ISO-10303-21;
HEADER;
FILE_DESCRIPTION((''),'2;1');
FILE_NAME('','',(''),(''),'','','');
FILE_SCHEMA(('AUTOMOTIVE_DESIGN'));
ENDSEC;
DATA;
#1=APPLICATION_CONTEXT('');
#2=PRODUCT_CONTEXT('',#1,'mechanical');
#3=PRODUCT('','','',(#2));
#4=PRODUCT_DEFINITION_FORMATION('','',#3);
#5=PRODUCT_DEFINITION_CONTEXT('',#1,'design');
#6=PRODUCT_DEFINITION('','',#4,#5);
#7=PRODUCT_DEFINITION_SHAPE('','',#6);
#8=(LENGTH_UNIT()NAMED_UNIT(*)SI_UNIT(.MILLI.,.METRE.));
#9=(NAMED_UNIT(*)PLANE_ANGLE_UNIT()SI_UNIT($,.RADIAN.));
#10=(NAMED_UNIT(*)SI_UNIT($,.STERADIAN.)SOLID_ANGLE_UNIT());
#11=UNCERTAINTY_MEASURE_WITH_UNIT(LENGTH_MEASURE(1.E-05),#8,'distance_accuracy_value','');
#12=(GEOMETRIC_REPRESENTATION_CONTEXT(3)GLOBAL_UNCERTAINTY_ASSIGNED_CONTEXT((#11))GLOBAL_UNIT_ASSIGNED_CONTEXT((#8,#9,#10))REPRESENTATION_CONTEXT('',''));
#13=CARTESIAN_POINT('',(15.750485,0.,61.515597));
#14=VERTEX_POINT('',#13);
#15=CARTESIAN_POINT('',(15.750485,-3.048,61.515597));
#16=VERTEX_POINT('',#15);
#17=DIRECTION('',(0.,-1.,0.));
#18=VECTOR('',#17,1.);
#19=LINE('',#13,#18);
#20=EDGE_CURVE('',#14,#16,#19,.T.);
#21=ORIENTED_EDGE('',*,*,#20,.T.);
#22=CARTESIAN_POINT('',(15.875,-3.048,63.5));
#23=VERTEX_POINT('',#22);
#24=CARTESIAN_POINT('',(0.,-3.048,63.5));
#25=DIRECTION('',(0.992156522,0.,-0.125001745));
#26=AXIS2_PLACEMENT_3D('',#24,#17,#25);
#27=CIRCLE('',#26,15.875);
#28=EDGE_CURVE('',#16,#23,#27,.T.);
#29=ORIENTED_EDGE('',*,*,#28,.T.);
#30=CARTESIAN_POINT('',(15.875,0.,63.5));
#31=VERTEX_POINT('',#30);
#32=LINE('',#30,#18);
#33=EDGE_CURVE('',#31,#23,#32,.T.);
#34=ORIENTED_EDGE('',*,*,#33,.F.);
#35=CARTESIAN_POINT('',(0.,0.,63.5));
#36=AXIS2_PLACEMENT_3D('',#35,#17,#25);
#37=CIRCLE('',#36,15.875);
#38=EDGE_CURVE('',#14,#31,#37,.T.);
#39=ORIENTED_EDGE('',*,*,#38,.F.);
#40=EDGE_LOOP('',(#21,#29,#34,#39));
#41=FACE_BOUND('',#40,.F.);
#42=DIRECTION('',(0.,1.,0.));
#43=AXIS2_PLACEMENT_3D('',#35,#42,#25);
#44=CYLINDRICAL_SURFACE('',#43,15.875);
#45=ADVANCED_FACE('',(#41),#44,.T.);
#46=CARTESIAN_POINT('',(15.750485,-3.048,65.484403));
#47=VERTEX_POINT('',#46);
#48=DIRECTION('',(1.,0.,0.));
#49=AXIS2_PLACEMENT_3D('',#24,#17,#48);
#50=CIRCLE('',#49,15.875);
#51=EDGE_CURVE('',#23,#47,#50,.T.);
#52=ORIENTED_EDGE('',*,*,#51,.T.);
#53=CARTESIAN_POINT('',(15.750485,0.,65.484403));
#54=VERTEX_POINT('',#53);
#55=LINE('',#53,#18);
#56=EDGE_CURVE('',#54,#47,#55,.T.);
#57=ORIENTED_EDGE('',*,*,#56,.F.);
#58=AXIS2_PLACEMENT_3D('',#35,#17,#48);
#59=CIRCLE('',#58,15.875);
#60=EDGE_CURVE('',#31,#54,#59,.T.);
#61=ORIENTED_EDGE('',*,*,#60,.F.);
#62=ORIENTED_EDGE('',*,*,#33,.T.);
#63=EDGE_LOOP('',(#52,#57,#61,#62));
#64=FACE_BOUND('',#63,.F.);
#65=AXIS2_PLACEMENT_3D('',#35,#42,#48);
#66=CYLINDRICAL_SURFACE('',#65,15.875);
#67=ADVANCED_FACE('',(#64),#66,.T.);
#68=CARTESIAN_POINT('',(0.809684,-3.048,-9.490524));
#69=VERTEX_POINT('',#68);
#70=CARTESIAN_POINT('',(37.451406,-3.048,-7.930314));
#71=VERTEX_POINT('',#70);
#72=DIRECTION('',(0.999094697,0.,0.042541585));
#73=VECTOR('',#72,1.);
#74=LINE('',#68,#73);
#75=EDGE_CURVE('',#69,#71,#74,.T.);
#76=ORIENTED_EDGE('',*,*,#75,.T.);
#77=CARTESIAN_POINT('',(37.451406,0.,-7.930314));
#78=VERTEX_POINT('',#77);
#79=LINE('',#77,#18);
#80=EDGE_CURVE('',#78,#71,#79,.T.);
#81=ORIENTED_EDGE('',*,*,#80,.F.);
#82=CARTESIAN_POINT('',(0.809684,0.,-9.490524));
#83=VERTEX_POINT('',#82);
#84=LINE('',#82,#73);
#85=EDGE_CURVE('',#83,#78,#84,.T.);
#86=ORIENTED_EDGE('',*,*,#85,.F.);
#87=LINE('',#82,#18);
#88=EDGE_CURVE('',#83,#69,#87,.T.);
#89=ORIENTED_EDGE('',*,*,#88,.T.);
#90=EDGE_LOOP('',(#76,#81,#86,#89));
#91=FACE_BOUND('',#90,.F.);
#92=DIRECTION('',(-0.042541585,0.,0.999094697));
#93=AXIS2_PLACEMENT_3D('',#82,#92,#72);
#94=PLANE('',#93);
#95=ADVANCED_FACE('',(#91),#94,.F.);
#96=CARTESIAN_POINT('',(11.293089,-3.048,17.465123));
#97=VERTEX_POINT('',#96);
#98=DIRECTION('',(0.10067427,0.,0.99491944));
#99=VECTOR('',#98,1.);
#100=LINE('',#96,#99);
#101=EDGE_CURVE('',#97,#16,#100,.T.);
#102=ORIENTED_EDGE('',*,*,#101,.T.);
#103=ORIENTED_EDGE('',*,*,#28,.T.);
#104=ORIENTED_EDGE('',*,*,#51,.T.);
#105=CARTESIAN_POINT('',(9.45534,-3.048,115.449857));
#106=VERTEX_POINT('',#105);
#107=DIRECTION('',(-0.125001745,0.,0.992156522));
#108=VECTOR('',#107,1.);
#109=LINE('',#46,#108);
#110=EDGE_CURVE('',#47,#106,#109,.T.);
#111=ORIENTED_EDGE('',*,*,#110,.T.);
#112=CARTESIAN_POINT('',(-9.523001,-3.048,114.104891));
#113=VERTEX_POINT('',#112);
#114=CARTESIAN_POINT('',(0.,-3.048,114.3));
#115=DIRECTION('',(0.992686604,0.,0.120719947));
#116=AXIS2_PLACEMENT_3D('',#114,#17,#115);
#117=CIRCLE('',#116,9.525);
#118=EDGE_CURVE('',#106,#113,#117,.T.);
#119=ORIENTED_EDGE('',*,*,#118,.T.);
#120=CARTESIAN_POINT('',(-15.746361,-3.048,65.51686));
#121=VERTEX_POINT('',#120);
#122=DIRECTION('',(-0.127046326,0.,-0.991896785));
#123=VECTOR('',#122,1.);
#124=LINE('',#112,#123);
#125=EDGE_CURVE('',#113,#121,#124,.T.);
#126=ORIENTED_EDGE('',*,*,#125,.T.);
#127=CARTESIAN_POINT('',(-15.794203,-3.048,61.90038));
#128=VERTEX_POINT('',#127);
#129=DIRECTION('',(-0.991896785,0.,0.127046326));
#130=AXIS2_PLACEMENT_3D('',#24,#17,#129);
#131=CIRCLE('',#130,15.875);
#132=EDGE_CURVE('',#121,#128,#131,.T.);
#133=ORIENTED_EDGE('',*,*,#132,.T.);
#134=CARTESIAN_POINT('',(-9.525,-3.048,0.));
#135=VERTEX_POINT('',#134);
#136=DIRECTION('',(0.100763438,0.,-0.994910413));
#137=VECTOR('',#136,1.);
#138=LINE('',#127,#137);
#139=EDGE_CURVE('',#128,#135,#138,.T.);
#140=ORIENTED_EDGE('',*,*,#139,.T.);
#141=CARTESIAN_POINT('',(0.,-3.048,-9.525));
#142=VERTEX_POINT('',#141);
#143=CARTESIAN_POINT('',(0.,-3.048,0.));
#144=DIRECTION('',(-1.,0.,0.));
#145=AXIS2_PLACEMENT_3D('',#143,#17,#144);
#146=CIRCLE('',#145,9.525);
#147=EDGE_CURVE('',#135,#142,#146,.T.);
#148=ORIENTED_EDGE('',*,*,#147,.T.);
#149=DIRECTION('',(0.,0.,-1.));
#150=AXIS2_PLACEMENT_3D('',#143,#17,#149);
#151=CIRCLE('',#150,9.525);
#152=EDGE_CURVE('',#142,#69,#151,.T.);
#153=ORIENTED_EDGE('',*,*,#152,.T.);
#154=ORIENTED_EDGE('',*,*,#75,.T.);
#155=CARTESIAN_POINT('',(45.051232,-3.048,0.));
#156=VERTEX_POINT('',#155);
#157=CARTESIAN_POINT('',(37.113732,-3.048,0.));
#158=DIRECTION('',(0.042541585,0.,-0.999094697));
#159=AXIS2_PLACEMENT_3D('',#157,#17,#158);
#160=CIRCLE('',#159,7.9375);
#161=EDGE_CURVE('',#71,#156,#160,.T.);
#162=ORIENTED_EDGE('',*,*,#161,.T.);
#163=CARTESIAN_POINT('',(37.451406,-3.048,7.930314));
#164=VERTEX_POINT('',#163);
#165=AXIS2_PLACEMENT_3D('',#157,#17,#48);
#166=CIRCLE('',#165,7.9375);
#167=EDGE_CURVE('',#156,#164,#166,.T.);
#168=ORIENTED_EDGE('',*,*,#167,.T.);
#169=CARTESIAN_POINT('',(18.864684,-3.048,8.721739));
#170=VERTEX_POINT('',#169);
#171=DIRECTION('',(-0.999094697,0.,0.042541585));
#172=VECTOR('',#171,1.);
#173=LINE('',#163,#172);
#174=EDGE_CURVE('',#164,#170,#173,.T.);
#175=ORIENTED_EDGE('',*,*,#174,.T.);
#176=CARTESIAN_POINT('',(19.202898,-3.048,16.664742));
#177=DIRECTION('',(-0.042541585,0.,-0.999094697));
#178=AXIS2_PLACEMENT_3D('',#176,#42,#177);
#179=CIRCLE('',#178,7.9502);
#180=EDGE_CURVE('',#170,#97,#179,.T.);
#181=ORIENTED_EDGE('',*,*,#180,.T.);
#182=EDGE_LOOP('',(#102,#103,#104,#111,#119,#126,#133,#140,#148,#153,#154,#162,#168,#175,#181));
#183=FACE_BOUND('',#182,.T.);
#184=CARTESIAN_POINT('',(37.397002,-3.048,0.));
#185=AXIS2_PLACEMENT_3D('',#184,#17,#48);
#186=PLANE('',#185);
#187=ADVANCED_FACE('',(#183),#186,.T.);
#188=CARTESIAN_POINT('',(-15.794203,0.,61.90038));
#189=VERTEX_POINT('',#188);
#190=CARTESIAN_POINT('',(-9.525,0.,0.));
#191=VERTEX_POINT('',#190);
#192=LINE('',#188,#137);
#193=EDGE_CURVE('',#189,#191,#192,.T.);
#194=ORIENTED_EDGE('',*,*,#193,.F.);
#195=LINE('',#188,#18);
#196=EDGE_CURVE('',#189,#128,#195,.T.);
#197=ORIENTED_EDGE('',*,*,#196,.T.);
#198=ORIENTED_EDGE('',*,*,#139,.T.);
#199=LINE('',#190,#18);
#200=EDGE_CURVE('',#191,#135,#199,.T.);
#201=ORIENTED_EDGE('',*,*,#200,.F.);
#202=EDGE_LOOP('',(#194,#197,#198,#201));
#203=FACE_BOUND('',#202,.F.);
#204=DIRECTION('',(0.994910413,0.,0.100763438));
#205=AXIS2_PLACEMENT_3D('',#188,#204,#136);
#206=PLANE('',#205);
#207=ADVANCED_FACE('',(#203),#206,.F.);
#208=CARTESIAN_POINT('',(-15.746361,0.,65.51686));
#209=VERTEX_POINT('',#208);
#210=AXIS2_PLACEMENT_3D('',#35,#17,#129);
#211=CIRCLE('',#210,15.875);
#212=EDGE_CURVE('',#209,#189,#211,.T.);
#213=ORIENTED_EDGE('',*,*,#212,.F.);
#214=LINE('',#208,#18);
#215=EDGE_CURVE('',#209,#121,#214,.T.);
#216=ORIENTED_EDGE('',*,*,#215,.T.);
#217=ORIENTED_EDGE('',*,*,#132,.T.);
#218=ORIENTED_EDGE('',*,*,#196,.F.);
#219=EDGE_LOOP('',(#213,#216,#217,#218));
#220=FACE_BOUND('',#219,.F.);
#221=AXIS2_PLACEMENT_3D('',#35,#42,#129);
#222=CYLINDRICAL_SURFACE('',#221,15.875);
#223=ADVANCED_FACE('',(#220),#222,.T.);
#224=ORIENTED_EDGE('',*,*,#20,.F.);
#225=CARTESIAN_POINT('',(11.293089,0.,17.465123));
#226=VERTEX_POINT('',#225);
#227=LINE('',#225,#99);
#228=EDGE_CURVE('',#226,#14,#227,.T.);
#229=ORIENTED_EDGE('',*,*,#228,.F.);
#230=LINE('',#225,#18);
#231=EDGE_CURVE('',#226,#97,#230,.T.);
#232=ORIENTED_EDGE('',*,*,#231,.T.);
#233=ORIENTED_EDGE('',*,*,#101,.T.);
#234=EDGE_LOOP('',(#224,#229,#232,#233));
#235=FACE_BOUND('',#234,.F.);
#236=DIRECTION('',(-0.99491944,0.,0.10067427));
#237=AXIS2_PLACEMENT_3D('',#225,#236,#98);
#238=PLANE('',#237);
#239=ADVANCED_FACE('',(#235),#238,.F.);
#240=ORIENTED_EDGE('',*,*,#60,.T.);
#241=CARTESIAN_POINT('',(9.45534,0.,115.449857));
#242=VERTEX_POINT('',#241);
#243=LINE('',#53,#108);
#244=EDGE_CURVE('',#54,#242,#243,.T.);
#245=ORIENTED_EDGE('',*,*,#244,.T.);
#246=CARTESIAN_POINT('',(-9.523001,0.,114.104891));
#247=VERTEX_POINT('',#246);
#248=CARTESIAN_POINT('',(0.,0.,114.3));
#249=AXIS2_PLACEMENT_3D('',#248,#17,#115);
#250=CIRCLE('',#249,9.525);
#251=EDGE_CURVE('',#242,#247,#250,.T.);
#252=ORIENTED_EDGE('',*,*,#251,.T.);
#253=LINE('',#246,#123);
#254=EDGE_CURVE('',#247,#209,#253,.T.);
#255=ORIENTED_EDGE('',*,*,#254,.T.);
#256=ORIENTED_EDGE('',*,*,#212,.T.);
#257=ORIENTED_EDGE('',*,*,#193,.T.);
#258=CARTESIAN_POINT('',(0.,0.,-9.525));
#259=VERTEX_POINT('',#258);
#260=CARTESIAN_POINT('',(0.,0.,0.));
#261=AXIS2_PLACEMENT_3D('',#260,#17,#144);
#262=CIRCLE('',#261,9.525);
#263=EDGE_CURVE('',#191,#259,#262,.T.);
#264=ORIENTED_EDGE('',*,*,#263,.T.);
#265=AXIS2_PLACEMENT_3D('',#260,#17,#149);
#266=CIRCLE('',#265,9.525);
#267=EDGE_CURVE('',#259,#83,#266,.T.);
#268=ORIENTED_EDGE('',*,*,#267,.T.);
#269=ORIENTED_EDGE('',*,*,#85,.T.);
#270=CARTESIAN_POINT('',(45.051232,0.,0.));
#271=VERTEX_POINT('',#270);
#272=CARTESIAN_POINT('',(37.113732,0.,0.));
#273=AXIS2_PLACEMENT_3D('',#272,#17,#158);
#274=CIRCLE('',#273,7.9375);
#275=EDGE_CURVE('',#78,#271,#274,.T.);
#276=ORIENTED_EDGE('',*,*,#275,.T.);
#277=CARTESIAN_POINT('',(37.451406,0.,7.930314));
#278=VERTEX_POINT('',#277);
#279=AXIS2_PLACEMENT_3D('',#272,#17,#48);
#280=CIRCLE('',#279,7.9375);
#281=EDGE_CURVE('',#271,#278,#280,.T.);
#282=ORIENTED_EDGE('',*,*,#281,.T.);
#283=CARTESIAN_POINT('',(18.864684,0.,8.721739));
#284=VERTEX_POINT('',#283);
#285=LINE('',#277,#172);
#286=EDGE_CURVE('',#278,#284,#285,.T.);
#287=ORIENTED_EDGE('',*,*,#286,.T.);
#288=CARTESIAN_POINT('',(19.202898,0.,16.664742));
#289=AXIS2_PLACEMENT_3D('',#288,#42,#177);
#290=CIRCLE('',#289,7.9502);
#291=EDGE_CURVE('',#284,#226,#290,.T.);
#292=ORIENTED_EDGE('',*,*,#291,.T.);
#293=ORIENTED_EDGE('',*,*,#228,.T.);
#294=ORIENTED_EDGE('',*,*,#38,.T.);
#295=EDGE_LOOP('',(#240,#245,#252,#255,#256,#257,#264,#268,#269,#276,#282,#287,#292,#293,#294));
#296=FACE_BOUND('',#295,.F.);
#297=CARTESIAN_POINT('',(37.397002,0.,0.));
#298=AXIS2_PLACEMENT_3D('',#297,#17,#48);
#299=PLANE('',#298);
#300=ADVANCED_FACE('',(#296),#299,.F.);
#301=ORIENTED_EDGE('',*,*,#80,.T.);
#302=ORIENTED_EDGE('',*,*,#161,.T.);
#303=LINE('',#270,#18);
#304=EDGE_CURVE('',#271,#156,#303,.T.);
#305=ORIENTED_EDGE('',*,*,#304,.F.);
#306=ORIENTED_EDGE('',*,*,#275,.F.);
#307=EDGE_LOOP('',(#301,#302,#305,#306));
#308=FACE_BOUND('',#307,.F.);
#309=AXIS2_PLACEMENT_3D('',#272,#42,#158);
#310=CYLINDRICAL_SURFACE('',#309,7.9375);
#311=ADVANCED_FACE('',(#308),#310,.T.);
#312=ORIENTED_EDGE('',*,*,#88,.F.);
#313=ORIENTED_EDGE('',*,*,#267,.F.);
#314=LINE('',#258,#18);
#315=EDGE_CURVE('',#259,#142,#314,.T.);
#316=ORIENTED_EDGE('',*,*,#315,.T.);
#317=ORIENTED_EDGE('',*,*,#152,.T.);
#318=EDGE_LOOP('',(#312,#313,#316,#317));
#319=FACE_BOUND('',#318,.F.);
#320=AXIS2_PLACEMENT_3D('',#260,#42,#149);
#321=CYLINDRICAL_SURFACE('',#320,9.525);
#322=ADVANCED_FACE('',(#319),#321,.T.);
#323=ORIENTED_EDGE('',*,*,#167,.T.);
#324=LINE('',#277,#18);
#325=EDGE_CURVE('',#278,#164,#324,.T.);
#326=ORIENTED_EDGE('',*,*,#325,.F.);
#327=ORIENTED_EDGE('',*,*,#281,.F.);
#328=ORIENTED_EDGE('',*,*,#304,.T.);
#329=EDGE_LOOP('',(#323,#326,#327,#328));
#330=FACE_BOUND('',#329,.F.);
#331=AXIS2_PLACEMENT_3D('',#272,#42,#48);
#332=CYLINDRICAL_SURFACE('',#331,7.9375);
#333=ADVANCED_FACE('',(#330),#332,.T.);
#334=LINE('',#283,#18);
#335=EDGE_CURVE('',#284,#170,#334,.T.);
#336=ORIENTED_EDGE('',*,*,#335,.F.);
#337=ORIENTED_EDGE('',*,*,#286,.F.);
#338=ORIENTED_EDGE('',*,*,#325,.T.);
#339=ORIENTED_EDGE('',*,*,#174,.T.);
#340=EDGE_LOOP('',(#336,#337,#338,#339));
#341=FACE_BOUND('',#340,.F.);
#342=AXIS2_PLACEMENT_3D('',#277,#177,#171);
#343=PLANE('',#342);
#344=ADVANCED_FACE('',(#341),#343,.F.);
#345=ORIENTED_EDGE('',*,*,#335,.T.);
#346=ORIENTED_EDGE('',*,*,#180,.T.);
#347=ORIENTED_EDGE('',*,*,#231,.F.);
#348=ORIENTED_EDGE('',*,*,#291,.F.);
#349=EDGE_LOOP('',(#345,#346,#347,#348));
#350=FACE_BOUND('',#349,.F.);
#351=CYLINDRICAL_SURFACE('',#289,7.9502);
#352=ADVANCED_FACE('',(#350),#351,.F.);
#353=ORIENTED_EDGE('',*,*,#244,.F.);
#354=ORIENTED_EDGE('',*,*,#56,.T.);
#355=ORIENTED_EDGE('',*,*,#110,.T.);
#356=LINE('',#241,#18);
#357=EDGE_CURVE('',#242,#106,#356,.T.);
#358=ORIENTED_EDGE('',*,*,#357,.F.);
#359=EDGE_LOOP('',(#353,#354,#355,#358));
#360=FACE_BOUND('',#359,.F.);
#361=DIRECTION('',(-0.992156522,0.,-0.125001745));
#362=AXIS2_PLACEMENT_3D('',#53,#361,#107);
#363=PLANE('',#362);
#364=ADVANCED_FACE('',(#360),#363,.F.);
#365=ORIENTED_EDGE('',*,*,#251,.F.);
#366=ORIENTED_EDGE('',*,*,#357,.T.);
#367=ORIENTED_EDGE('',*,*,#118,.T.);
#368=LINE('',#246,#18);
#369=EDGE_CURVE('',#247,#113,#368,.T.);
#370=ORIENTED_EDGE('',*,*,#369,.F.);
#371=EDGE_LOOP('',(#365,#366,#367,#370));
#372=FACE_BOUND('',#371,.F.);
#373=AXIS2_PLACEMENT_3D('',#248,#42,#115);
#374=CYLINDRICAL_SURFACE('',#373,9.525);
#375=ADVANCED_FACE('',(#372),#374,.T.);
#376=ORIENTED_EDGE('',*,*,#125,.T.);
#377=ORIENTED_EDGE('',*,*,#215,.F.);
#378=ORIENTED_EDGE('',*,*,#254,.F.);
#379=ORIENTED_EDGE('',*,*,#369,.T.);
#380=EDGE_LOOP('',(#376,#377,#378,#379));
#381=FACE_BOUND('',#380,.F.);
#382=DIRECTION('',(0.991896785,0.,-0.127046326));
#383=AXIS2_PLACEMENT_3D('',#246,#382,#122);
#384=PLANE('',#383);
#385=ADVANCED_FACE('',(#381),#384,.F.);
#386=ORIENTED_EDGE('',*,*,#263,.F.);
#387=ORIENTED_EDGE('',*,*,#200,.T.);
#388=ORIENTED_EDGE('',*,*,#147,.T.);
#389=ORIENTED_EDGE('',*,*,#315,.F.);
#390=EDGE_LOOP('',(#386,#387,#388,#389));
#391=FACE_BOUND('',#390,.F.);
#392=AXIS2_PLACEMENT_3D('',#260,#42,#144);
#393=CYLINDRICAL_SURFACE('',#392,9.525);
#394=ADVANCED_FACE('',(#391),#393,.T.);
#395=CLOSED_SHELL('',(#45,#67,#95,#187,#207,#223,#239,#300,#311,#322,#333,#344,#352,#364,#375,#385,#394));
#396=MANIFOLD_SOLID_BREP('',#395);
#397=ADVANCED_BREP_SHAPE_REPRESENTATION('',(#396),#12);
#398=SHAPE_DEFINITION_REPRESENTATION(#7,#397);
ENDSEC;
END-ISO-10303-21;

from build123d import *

# Parameters (mm, degrees)
F0_R     = 1.5875
F0_R_2   = 3.175
F1_DEPTH = 3.048


with BuildPart() as f1:
    # F0 (on Front) → F1 (new body)
    with BuildSketch(Plane.XZ):
        with BuildLine():
            ThreePointArc((45.0512324214, 0), (42.8445348199, 5.4919768863), (37.4514062495, 7.9303141575))
            ThreePointArc((37.4514062495, 7.9303141575), (29.1762324214, 0), (37.4514062495, -7.9303141575))
            ThreePointArc((37.4514062495, -7.9303141575), (42.8445348199, -5.4919768863), (45.0512324214, 0))
        make_face()
        with BuildLine():
            ThreePointArc((9.4553399063, 115.449857494), (9.507569027, 114.875982809), (9.525, 114.3))
            ThreePointArc((9.525, 114.3), (0.0975597085, 104.7754996402), (-9.5230014915, 114.1048908181))
            Line((-9.5230014915, 114.1048908181), (-15.7463614541, 65.5168604207))
            ThreePointArc((-15.7463614541, 65.5168604207), (0.016359288, 79.3749915708), (15.7504847833, 65.484402704))
            Line((15.7504847833, 65.484402704), (9.4553399063, 115.449857494))
        make_face()
        with Locations((-6.3508603799, 99.4688310552)):
            Circle(F0_R, mode=Mode.SUBTRACT)
        with BuildLine():
            ThreePointArc((15.875, 63.5), (15.8438406161, 64.4941526707), (15.7504847833, 65.484402704))
            ThreePointArc((15.7504847833, 65.484402704), (0.016359288, 79.3749915708), (-15.7463614541, 65.5168604207))
            ThreePointArc((-15.7463614541, 65.5168604207), (-15.8736111305, 63.7099873296), (-15.7942028036, 61.9003804205))
            ThreePointArc((-15.7942028036, 61.9003804205), (-0.1936293613, 47.6261809047), (15.7504847833, 61.515597296))
            ThreePointArc((15.7504847833, 61.515597296), (15.8438406161, 62.5058473293), (15.875, 63.5))
        make_face()
        with Locations((0, 63.5)):
            Circle(F0_R_2, mode=Mode.SUBTRACT)
        with BuildLine():
            ThreePointArc((-9.5230014915, 114.1048908181), (0.0975597085, 104.7754996402), (9.525, 114.3))
            ThreePointArc((9.525, 114.3), (9.507569027, 114.875982809), (9.4553399063, 115.449857494))
            ThreePointArc((9.4553399063, 115.449857494), (-0.6733337674, 123.8011708035), (-9.5230014915, 114.1048908181))
        make_face()
        with Locations((0, 114.3)):
            Circle(F0_R_2, mode=Mode.SUBTRACT)
        with BuildLine():
            ThreePointArc((15.7504847833, 61.515597296), (-0.1936293613, 47.6261809047), (-15.7942028036, 61.9003804205))
            Line((-15.7942028036, 61.9003804205), (-9.525, 0))
            ThreePointArc((-9.525, 0), (-6.7351920908, 6.7351920908), (0, 9.525))
            ThreePointArc((0, 9.525), (0.4052085937, 9.5163769889), (0.8096835142, 9.4905235686))
            ThreePointArc((0.8096835142, 9.4905235686), (7.0156204456, 6.4425689568), (9.525, 0))
            ThreePointArc((9.525, 0), (7.0156204456, -6.4425689568), (0.8096835142, -9.4905235686))
            Line((0.8096835142, -9.4905235686), (37.4514062495, -7.9303141575))
            ThreePointArc((37.4514062495, -7.9303141575), (29.1762324214, 0), (37.4514062495, 7.9303141575))
            Line((37.4514062495, 7.9303141575), (18.8646837389, 8.7217392657))
            ThreePointArc((18.8646837389, 8.7217392657), (13.1929762999, 11.4602704772), (11.2930893163, 17.4651225086))
            Line((11.2930893163, 17.4651225086), (15.7504847833, 61.515597296))
        make_face()
        with Locations((0, 63.5)):
            Circle(F0_R_2)
        with Locations((-6.3508603799, 99.4688310552)):
            Circle(F0_R)
        with BuildLine():
            ThreePointArc((0, 9.525), (-6.7351920908, 6.7351920908), (-9.525, 0))
            ThreePointArc((-9.525, 0), (-6.7351920908, -6.7351920908), (0, -9.525))
            Line((0, -9.525), (0.8096835142, -9.4905235686))
            ThreePointArc((0.8096835142, -9.4905235686), (7.0156204456, -6.4425689568), (9.525, 0))
            ThreePointArc((9.525, 0), (7.0156204456, 6.4425689568), (0.8096835142, 9.4905235686))
            Line((0.8096835142, 9.4905235686), (0, 9.525))
        make_face()
        with BuildLine():
            Line((0.8096835142, -9.4905235686), (0, -9.525))
            ThreePointArc((0, -9.525), (0.4052085937, -9.5163769889), (0.8096835142, -9.4905235686))
        make_face()
        with BuildLine():
            ThreePointArc((0.8096835142, 9.4905235686), (0.4052085937, 9.5163769889), (0, 9.525))
            Line((0, 9.525), (0.8096835142, 9.4905235686))
        make_face()
        with Locations((0, 114.3)):
            Circle(F0_R_2)
    extrude(amount=F1_DEPTH)


solid = f1.part
